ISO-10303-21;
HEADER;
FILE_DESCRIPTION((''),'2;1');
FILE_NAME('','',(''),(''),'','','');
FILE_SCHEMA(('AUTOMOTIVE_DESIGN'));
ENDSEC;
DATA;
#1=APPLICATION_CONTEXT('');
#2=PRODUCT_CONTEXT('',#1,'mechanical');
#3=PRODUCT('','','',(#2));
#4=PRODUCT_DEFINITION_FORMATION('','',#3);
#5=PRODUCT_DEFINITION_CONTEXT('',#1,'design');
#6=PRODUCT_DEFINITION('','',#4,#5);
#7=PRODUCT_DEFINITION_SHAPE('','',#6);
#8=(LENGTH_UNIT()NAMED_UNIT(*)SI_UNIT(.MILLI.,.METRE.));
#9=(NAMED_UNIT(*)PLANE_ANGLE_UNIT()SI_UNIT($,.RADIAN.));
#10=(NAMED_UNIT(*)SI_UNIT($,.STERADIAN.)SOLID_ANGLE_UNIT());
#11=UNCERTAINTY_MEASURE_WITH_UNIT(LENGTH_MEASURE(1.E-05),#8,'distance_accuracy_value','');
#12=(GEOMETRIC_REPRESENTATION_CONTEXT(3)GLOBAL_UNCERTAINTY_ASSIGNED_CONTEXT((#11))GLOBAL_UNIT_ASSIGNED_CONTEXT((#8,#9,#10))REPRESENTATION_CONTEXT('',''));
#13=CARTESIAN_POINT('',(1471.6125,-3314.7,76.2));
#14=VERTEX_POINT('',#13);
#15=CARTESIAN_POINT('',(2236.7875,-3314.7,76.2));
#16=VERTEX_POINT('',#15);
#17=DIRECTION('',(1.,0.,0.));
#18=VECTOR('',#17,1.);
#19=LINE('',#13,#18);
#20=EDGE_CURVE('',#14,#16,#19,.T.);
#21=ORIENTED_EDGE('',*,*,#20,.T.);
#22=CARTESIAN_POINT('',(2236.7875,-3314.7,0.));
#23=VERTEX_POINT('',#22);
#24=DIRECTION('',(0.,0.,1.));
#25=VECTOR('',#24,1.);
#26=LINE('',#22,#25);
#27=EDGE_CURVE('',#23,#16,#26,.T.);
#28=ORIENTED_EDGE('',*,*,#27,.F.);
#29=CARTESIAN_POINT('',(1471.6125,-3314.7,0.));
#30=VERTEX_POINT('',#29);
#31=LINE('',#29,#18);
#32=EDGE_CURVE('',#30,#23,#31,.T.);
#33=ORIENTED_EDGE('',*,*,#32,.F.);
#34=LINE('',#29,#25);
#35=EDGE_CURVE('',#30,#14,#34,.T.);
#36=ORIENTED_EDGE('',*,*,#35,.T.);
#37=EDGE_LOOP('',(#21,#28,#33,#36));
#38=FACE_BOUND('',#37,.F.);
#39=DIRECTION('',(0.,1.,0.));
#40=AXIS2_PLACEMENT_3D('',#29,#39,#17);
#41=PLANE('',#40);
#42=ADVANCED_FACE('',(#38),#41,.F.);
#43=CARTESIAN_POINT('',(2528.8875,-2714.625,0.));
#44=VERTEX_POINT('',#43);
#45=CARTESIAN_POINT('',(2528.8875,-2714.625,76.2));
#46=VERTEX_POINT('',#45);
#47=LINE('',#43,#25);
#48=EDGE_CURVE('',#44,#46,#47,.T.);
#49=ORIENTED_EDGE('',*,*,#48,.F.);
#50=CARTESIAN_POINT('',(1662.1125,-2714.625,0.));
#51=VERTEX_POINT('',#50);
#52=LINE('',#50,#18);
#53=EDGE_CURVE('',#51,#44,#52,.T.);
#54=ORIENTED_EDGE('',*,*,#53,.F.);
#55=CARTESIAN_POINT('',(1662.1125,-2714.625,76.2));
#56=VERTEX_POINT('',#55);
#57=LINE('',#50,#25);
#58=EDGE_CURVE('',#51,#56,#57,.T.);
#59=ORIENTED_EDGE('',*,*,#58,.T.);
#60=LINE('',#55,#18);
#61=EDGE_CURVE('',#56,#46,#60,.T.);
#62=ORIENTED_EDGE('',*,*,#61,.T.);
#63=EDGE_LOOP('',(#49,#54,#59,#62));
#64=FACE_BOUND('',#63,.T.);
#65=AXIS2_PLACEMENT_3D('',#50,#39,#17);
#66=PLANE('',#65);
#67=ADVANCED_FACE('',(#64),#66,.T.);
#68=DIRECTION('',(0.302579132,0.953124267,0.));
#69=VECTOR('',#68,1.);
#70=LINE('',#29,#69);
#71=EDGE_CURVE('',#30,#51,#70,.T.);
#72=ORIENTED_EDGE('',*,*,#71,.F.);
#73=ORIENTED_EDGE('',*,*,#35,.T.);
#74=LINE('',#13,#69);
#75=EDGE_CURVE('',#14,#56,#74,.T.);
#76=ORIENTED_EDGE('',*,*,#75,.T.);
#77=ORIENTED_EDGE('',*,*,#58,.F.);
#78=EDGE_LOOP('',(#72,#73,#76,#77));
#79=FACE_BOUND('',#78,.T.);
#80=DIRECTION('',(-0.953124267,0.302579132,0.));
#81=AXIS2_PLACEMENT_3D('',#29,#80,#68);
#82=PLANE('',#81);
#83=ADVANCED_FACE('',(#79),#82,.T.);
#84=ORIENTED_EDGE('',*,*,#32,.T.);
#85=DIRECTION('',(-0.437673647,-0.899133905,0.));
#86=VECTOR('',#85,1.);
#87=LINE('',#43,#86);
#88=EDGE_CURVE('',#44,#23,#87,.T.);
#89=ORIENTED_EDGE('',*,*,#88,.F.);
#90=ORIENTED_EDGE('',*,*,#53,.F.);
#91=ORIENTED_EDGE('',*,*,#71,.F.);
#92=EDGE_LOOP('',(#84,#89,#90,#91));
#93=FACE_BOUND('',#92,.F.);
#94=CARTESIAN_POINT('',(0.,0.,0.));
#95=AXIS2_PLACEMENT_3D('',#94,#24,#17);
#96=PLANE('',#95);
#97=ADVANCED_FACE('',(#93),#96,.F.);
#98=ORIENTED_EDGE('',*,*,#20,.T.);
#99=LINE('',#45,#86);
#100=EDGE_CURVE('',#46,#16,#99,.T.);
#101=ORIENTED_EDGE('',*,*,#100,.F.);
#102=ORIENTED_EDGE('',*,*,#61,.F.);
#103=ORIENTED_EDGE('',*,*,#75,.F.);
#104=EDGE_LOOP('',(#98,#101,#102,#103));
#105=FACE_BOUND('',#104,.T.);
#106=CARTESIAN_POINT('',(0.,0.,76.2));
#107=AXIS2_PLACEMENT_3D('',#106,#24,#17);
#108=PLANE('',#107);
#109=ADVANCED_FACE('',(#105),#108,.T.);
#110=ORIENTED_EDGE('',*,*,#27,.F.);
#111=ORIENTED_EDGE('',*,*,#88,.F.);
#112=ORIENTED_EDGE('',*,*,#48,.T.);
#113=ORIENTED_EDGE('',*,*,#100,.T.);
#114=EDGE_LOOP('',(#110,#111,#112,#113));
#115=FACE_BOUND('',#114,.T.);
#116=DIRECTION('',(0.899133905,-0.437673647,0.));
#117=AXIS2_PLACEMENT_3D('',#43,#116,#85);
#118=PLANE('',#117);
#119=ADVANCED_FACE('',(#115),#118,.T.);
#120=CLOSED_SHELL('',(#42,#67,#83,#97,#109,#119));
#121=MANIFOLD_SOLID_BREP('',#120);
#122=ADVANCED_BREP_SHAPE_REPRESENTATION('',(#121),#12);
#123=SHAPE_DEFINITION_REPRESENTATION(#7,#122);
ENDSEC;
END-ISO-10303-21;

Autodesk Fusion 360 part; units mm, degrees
sketch "Sketch1" plane through (0, 0, 0) normal (0, 0, 1) x (1, 0, 0)
  line L0 (0, 0) -> (0, -600.075)
  line L1 (0, -600.075) -> (744.5375, -600.075)
  line L2 (0, 0) -> (947.7375, 0)
  line L3 (947.7375, 0) -> (744.5375, -600.075)
  line L4 (1049.3375, -600.075) -> (2105.025, -600.075)
  line L5 (1049.3375, -600.075) -> (1252.5375, 0)
  line L6 (2105.025, -600.075) -> (1698.625, 0)
  line L7 (1252.5375, 0) -> (1698.625, 0)
  line L8 (2003.425, 0) -> (3025.775, 0)
  line L9 (2409.825, -600.075) -> (3025.775, -600.075)
  line L10 (3025.775, 0) -> (3025.775, -600.075)
  line L11 (2409.825, -600.075) -> (2003.425, 0)
  line L12 (0, -904.875) -> (0, -1504.95)
  line L13 (0, -1504.95) -> (376.2375, -1504.95)
  line L14 (376.2375, -1504.95) -> (528.6375, -904.875)
  line L15 (0, -904.875) -> (528.6375, -904.875)
  line L16 (579.4375, -1504.95) -> (1636.7125, -1504.95)
  line L17 (731.8375, -904.875) -> (1420.8125, -904.875)
  line L18 (579.4375, -1504.95) -> (731.8375, -904.875)
  line L19 (1420.8125, -904.875) -> (1636.7125, -1504.95)
  line L20 (1839.9125, -1504.95) -> (2160.5875, -1504.95)
  line L21 (1624.0125, -904.875) -> (2401.8875, -904.875)
  line L22 (1624.0125, -904.875) -> (1839.9125, -1504.95)
  line L23 (2160.5875, -1504.95) -> (2401.8875, -904.875)
  line L24 (2363.7875, -1504.95) -> (3019.425, -1504.95)
  line L25 (2605.0875, -904.875) -> (3019.425, -904.875)
  line L26 (3019.425, -904.875) -> (3019.425, -1504.95)
  line L27 (2605.0875, -904.875) -> (2363.7875, -1504.95)
  line L28 (0, -1809.75) -> (0, -2409.825)
  line L29 (0, -1809.75) -> (909.6375, -1809.75)
  line L30 (0, -2409.825) -> (795.3375, -2409.825)
  line L31 (795.3375, -2409.825) -> (909.6375, -1809.75)
  line L32 (1214.4375, -1809.75) -> (2017.7125, -1809.75)
  line L33 (1100.1375, -2409.825) -> (1878.0125, -2409.825)
  line L34 (1100.1375, -2409.825) -> (1214.4375, -1809.75)
  line L35 (1878.0125, -2409.825) -> (2017.7125, -1809.75)
  line L36 (2182.8125, -2409.825) -> (3028.95, -2409.825)
  line L37 (2322.5125, -1809.75) -> (3028.95, -1809.75)
  line L38 (2322.5125, -1809.75) -> (2182.8125, -2409.825)
  line L39 (3028.95, -1809.75) -> (3028.95, -2409.825)
  line L40 (0, -2714.625) -> (0, -3314.7)
  line L41 (0, -2714.625) -> (465.1375, -2714.625)
  line L42 (465.1375, -2714.625) -> (465.1375, -3314.7)
  line L43 (465.1375, -3314.7) -> (0, -3314.7)
  line L44 (668.3375, -3314.7) -> (1268.4125, -3314.7)
  line L45 (668.3375, -3314.7) -> (668.3375, -2714.625)
  line L46 (668.3375, -2714.625) -> (1458.9125, -2714.625)
  line L47 (1458.9125, -2714.625) -> (1268.4125, -3314.7)
  line L48 (1471.6125, -3314.7) -> (2236.7875, -3314.7)
  line L49 (1662.1125, -2714.625) -> (2528.8875, -2714.625)
  line L50 (1471.6125, -3314.7) -> (1662.1125, -2714.625)
  line L51 (2528.8875, -2714.625) -> (2236.7875, -3314.7)
  line L52 (2439.9875, -3314.7) -> (3019.425, -3314.7)
  line L53 (2732.0875, -2714.625) -> (3019.425, -2714.625)
  line L54 (2439.9875, -3314.7) -> (2732.0875, -2714.625)
  line L55 (3019.425, -2714.625) -> (3019.425, -3314.7)
  dimension "d1" = 600.075
  dimension "d2" = 744.5375
  dimension "d3" = 1055.6875
  dimension "d4" = 304.8
  dimension "d5" = 1022.35
  dimension "d6" = 615.95
  dimension "d7" = 0
  dimension "d8" = 304.8
  dimension "d9" = 376.2375
  dimension "d10" = 1057.275
  dimension "d11" = 203.2
  dimension "d12" = 688.975
  dimension "d13" = 320.675
  dimension "d14" = 777.875
  dimension "d15" = 203.2
  dimension "d16" = 655.6375
  dimension "d17" = 414.3375
  dimension "d18" = 203.2
  dimension "d19" = 0
  dimension "d20" = 0
  dimension "d21" = 909.6375
  dimension "d22" = 795.3375
  dimension "d23" = 803.275
  dimension "d24" = 777.875
  dimension "d25" = 304.8
  dimension "d26" = 846.1375
  dimension "d27" = 304.8
  dimension "d28" = 706.4375
  dimension "d29" = 304.8
  dimension "d30" = 947.7375
  dimension "d31" = 446.0875
  dimension "d32" = 528.6375
  dimension "d33" = 0
  dimension "d34" = 0
  dimension "d35" = 465.1375
  dimension "d36" = 600.075
  dimension "d37" = 203.2
  dimension "d38" = 790.575
  dimension "d39" = 765.175
  dimension "d40" = 203.2
  dimension "d41" = 866.775
  dimension "d42" = 579.4375
  dimension "d43" = 287.3375
  dimension "d44" = 203.2
extrude "Extrude1" add sketch "Sketch1" along normal blind 76.2 contours L48 L49 L50 L51
equation "d1 = 23 5/8\""
equation "d2 = 29 5/16\""
equation "d3 = 41 9/16\""
equation "d5 = 40 1/4\""
equation "d6 = 24 1/4\""
equation "d7 = d20"
equation "d9 = 14 13/16\""
equation "d12 = 27 1/8\""
equation "d13 = 12 5/8\""
equation "d14 = 30 5/8\""
equation "d16 = 25 13/16\""
equation "d17 = 16 5/16\""
equation "d19 = d20"
equation "d20 = d33"
equation "d21 = 35 13/16\""
equation "d22 = 31 5/16\""
equation "d23 = 31 5/8\""
equation "d24 = 30 5/8\""
equation "d26 = 33 5/16\""
equation "d28 = 27 13/16\""
equation "d30 = 37 5/16\""
equation "d31 = 17 9/16\""
equation "d32 = 20 13/16\""
equation "d33 = d33"
equation "d34 = d20"
equation "d35 = 18 5/16\""
equation "d36 = 23 5/8\""
equation "d38 = 31 1/8\""
equation "d41 = 34 1/8\""
